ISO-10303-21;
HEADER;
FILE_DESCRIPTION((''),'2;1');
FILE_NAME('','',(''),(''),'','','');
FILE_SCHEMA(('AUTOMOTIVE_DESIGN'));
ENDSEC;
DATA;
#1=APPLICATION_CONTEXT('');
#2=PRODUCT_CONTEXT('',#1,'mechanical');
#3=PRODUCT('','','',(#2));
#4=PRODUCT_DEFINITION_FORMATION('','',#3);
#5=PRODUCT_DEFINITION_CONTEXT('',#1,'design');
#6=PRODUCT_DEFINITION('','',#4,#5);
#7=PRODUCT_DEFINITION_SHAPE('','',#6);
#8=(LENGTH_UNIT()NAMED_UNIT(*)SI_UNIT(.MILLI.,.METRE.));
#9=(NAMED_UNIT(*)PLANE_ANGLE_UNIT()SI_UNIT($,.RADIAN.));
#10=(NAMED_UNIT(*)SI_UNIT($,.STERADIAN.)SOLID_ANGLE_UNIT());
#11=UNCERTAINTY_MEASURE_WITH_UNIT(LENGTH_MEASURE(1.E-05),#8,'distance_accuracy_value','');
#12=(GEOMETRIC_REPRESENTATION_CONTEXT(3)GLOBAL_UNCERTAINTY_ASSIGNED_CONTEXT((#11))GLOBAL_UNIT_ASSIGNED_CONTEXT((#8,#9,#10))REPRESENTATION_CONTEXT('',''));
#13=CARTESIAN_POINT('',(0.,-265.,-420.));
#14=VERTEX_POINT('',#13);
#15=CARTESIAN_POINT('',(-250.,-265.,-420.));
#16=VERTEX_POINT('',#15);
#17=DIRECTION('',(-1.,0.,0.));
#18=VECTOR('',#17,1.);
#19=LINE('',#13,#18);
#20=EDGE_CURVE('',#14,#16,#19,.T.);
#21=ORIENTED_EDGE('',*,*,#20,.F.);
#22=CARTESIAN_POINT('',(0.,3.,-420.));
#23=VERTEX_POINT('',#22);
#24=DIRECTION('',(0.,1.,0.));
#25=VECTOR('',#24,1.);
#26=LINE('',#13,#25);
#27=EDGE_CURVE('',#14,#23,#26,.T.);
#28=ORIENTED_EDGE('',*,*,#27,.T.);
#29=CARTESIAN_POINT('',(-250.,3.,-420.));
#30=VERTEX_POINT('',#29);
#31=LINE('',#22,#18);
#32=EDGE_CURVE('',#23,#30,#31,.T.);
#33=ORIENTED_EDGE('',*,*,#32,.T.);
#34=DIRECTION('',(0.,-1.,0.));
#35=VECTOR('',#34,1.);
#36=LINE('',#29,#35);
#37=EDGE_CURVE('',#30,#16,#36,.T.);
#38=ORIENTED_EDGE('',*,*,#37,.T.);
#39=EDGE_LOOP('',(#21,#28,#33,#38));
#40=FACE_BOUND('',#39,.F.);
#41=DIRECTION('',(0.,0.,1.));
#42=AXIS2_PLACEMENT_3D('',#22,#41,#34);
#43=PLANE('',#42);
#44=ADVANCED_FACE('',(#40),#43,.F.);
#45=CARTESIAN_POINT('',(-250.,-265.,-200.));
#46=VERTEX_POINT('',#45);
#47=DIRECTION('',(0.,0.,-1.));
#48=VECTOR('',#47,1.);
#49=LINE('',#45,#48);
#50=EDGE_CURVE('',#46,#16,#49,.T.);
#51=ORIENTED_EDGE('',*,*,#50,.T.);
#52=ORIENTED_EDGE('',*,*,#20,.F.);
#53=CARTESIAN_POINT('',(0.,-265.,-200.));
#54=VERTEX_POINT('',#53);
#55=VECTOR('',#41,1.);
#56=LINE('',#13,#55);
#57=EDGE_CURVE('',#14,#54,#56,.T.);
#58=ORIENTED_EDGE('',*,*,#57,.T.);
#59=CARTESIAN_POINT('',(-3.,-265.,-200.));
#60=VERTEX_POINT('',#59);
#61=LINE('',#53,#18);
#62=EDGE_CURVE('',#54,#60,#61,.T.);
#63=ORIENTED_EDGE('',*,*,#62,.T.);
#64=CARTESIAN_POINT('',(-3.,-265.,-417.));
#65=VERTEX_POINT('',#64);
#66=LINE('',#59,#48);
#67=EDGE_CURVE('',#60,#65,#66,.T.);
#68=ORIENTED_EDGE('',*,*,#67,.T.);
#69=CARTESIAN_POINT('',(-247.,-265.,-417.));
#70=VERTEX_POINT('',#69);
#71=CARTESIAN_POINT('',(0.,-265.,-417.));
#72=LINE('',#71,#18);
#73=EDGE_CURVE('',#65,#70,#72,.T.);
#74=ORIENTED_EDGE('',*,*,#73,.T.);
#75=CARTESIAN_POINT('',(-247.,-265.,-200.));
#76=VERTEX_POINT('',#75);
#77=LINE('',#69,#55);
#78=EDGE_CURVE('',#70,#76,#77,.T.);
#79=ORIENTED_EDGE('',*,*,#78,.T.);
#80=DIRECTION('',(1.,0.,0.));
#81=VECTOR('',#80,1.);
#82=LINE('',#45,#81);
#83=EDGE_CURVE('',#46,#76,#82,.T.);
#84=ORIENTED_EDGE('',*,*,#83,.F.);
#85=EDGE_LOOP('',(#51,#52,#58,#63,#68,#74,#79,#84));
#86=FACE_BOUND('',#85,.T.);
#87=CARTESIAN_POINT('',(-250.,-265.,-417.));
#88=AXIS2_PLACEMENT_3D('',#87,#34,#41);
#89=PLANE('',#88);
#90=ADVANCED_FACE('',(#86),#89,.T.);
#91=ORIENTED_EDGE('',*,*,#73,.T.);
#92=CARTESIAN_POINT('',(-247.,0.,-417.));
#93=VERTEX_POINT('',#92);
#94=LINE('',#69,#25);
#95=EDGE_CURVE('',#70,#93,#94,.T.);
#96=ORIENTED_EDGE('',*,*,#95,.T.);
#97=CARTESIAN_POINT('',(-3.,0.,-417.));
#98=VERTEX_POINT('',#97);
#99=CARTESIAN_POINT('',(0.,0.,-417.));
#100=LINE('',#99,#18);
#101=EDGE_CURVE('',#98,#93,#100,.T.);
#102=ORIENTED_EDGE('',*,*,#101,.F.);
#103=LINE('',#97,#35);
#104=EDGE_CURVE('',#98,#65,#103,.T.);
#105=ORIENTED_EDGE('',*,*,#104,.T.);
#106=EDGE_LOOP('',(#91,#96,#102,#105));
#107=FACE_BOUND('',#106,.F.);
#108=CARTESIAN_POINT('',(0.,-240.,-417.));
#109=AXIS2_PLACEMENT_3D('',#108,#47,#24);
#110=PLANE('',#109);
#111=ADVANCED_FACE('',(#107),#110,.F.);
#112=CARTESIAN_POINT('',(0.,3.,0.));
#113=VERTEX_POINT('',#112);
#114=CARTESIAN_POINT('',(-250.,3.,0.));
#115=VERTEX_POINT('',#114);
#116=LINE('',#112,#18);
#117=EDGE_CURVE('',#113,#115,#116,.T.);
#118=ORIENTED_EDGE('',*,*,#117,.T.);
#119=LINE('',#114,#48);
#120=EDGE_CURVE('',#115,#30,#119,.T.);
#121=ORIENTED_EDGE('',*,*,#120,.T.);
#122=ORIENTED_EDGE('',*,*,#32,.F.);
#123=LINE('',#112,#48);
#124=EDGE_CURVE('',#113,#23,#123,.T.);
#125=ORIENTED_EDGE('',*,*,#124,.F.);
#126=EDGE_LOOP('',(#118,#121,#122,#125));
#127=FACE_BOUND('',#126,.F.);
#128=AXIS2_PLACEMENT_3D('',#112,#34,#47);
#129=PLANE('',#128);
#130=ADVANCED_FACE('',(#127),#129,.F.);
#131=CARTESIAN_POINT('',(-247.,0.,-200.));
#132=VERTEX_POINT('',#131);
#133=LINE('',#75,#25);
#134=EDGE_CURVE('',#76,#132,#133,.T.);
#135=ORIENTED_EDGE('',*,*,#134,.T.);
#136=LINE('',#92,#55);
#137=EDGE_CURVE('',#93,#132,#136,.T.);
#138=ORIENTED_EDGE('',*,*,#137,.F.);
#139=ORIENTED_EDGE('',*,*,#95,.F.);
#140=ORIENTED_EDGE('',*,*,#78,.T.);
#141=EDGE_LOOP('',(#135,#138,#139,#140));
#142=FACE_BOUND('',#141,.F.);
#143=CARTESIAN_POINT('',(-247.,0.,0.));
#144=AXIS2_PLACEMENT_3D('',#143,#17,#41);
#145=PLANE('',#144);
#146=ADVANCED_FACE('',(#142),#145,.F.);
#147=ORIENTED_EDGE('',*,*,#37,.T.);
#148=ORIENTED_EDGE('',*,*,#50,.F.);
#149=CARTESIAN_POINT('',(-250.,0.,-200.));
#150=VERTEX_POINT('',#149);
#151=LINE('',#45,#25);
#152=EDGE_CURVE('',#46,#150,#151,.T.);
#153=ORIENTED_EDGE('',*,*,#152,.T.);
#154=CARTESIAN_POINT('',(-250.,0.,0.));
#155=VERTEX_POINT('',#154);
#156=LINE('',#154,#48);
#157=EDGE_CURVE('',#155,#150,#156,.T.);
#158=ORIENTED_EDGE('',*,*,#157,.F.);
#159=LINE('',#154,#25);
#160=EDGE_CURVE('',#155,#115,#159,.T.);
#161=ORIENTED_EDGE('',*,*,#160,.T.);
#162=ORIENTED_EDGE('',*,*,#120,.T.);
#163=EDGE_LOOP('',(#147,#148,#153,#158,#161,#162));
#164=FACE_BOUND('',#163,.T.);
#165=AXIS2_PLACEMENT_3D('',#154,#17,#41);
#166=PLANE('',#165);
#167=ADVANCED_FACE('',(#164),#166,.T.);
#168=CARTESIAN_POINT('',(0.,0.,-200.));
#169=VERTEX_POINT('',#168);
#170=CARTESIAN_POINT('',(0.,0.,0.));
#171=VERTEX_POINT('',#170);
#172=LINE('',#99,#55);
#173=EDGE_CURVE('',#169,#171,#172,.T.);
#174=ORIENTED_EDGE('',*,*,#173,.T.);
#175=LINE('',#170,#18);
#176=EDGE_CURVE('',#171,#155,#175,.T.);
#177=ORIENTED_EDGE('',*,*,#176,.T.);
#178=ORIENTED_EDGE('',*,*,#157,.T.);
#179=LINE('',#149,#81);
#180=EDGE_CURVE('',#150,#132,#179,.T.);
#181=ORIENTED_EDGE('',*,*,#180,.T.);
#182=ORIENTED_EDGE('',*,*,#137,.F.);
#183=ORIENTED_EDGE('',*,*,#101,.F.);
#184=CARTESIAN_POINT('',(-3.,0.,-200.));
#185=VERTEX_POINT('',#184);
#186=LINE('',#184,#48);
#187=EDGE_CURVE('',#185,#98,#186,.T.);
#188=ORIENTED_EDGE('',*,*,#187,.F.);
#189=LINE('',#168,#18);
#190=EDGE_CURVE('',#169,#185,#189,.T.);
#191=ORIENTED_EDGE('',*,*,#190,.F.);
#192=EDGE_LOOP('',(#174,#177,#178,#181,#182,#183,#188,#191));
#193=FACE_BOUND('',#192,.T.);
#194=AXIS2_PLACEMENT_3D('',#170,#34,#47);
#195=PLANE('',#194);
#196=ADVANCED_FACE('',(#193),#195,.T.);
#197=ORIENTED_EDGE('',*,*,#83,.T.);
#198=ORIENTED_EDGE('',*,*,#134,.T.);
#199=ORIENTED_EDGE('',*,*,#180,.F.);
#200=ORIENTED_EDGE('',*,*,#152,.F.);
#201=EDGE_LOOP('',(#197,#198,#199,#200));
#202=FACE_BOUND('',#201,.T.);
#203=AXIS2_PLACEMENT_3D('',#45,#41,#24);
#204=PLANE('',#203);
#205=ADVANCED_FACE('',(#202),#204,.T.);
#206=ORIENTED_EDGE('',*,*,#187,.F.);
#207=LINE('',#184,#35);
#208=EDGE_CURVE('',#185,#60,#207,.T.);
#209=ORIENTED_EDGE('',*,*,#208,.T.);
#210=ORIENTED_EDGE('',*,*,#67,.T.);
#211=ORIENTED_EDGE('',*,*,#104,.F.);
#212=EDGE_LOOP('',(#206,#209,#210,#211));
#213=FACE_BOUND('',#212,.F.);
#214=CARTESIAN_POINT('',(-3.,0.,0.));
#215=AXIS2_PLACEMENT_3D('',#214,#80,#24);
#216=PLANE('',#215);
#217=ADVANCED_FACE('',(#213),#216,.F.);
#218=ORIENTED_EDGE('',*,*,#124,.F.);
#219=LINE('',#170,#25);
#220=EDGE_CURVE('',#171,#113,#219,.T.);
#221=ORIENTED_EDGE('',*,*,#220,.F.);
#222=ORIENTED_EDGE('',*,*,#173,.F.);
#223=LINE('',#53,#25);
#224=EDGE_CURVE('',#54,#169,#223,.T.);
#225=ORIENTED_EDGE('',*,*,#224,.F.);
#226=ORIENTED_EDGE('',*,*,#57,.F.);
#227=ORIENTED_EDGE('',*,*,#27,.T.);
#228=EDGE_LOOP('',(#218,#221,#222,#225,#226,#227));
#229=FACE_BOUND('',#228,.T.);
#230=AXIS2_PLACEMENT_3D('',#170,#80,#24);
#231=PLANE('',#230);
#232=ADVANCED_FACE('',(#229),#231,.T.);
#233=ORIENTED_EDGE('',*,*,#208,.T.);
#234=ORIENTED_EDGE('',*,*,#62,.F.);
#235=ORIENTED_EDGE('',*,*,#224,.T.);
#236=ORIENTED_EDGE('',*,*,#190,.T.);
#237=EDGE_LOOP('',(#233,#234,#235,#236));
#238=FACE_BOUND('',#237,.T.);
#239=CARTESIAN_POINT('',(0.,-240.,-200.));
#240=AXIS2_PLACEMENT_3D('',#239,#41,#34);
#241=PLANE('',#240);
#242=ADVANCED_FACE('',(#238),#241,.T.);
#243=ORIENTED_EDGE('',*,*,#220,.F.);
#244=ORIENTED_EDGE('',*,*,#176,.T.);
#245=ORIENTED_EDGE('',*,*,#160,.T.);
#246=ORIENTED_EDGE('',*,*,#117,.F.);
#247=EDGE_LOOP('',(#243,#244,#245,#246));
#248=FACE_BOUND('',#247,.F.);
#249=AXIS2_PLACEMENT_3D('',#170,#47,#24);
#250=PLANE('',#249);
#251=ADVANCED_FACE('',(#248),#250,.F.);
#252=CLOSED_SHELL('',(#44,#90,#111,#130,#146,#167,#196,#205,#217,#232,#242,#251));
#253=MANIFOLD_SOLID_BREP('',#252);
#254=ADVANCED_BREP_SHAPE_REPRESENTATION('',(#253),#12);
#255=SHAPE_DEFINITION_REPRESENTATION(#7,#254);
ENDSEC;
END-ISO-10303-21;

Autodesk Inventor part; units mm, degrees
ref_plane "YZ Plane" through (0, 0, 0) normal (1, 0, 0) x (0, 1, 0)
ref_plane "XZ Plane" through (0, 0, 0) normal (0, 1, 0) x (-1, 0, 0)
ref_plane "XY Plane" through (0, 0, 0) normal (0, 0, 1) x (1, 0, 0)
sketch "Sketch1" plane through (0, 0, 0) normal (1, 0, 0) x (0, 1, 0)
  line L0 (0, 0) -> (0, -200)
  line L1 (0, 0) -> (200, 0) construction
  line L2 (0, -200) -> (-240, -200)
  line L3 (-240, -420) -> (0, -420)
  line L4 (0, 0) -> (3, 0)
  line L5 (3, 0) -> (3, -420)
  line L6 (3, -420) -> (-1.1181, -420)
  line L7 (0, -200) -> (0, -420)
  line L8 (-240, -417) -> (0, -417)
  line L9 (-240, -417) -> (0, -417) construction
  line L10 (-240, -200) -> (-265, -200)
  line L11 (-265, -200) -> (-265, -420)
  line L12 (-265, -420) -> (-240, -420)
  line L13 (-240, -417) -> (-265, -417)
  dimension "d0" = 200
  dimension "d1" = 90
  dimension "d2" = 240
  dimension "d3" = 90
  dimension "d4" = 220
  dimension "d8" = 3
  dimension "d9" = 90
  dimension "d10" = 3
  dimension "d18" = 25
  dimension "d19" = 220
  dimension "d20" = 90
extrude "Extrusion4" add sketch "Sketch1" against normal blind 250 contours L4 L5 L6 L7 L0 | L7 L3 L12 L11 L13 L8
extrude "Extrusion5" add sketch "Sketch1" against normal blind 3 contours L7 L8 L13 L11 L10 L2
sketch "Sketch3" plane through (-250, 0, 0) normal (-1, 0, 0) x (0, 0, 1)
  line L0 (-417, -265) -> (-417, 0) projected
  line L1 (-200, -265) -> (-200, 0) projected
  line L2 (-417, 0) -> (-200, 0)
  line L3 (-417, -265) -> (-200, -265) projected
  line L4 (-200, 0) -> (-200, -265)
  line L5 (-200, -265) -> (-417, -265)
  point P0 (0, 0)
extrude "Extrusion6" add sketch "Sketch3" against normal blind 3
properties part number "Pump System Cover"
